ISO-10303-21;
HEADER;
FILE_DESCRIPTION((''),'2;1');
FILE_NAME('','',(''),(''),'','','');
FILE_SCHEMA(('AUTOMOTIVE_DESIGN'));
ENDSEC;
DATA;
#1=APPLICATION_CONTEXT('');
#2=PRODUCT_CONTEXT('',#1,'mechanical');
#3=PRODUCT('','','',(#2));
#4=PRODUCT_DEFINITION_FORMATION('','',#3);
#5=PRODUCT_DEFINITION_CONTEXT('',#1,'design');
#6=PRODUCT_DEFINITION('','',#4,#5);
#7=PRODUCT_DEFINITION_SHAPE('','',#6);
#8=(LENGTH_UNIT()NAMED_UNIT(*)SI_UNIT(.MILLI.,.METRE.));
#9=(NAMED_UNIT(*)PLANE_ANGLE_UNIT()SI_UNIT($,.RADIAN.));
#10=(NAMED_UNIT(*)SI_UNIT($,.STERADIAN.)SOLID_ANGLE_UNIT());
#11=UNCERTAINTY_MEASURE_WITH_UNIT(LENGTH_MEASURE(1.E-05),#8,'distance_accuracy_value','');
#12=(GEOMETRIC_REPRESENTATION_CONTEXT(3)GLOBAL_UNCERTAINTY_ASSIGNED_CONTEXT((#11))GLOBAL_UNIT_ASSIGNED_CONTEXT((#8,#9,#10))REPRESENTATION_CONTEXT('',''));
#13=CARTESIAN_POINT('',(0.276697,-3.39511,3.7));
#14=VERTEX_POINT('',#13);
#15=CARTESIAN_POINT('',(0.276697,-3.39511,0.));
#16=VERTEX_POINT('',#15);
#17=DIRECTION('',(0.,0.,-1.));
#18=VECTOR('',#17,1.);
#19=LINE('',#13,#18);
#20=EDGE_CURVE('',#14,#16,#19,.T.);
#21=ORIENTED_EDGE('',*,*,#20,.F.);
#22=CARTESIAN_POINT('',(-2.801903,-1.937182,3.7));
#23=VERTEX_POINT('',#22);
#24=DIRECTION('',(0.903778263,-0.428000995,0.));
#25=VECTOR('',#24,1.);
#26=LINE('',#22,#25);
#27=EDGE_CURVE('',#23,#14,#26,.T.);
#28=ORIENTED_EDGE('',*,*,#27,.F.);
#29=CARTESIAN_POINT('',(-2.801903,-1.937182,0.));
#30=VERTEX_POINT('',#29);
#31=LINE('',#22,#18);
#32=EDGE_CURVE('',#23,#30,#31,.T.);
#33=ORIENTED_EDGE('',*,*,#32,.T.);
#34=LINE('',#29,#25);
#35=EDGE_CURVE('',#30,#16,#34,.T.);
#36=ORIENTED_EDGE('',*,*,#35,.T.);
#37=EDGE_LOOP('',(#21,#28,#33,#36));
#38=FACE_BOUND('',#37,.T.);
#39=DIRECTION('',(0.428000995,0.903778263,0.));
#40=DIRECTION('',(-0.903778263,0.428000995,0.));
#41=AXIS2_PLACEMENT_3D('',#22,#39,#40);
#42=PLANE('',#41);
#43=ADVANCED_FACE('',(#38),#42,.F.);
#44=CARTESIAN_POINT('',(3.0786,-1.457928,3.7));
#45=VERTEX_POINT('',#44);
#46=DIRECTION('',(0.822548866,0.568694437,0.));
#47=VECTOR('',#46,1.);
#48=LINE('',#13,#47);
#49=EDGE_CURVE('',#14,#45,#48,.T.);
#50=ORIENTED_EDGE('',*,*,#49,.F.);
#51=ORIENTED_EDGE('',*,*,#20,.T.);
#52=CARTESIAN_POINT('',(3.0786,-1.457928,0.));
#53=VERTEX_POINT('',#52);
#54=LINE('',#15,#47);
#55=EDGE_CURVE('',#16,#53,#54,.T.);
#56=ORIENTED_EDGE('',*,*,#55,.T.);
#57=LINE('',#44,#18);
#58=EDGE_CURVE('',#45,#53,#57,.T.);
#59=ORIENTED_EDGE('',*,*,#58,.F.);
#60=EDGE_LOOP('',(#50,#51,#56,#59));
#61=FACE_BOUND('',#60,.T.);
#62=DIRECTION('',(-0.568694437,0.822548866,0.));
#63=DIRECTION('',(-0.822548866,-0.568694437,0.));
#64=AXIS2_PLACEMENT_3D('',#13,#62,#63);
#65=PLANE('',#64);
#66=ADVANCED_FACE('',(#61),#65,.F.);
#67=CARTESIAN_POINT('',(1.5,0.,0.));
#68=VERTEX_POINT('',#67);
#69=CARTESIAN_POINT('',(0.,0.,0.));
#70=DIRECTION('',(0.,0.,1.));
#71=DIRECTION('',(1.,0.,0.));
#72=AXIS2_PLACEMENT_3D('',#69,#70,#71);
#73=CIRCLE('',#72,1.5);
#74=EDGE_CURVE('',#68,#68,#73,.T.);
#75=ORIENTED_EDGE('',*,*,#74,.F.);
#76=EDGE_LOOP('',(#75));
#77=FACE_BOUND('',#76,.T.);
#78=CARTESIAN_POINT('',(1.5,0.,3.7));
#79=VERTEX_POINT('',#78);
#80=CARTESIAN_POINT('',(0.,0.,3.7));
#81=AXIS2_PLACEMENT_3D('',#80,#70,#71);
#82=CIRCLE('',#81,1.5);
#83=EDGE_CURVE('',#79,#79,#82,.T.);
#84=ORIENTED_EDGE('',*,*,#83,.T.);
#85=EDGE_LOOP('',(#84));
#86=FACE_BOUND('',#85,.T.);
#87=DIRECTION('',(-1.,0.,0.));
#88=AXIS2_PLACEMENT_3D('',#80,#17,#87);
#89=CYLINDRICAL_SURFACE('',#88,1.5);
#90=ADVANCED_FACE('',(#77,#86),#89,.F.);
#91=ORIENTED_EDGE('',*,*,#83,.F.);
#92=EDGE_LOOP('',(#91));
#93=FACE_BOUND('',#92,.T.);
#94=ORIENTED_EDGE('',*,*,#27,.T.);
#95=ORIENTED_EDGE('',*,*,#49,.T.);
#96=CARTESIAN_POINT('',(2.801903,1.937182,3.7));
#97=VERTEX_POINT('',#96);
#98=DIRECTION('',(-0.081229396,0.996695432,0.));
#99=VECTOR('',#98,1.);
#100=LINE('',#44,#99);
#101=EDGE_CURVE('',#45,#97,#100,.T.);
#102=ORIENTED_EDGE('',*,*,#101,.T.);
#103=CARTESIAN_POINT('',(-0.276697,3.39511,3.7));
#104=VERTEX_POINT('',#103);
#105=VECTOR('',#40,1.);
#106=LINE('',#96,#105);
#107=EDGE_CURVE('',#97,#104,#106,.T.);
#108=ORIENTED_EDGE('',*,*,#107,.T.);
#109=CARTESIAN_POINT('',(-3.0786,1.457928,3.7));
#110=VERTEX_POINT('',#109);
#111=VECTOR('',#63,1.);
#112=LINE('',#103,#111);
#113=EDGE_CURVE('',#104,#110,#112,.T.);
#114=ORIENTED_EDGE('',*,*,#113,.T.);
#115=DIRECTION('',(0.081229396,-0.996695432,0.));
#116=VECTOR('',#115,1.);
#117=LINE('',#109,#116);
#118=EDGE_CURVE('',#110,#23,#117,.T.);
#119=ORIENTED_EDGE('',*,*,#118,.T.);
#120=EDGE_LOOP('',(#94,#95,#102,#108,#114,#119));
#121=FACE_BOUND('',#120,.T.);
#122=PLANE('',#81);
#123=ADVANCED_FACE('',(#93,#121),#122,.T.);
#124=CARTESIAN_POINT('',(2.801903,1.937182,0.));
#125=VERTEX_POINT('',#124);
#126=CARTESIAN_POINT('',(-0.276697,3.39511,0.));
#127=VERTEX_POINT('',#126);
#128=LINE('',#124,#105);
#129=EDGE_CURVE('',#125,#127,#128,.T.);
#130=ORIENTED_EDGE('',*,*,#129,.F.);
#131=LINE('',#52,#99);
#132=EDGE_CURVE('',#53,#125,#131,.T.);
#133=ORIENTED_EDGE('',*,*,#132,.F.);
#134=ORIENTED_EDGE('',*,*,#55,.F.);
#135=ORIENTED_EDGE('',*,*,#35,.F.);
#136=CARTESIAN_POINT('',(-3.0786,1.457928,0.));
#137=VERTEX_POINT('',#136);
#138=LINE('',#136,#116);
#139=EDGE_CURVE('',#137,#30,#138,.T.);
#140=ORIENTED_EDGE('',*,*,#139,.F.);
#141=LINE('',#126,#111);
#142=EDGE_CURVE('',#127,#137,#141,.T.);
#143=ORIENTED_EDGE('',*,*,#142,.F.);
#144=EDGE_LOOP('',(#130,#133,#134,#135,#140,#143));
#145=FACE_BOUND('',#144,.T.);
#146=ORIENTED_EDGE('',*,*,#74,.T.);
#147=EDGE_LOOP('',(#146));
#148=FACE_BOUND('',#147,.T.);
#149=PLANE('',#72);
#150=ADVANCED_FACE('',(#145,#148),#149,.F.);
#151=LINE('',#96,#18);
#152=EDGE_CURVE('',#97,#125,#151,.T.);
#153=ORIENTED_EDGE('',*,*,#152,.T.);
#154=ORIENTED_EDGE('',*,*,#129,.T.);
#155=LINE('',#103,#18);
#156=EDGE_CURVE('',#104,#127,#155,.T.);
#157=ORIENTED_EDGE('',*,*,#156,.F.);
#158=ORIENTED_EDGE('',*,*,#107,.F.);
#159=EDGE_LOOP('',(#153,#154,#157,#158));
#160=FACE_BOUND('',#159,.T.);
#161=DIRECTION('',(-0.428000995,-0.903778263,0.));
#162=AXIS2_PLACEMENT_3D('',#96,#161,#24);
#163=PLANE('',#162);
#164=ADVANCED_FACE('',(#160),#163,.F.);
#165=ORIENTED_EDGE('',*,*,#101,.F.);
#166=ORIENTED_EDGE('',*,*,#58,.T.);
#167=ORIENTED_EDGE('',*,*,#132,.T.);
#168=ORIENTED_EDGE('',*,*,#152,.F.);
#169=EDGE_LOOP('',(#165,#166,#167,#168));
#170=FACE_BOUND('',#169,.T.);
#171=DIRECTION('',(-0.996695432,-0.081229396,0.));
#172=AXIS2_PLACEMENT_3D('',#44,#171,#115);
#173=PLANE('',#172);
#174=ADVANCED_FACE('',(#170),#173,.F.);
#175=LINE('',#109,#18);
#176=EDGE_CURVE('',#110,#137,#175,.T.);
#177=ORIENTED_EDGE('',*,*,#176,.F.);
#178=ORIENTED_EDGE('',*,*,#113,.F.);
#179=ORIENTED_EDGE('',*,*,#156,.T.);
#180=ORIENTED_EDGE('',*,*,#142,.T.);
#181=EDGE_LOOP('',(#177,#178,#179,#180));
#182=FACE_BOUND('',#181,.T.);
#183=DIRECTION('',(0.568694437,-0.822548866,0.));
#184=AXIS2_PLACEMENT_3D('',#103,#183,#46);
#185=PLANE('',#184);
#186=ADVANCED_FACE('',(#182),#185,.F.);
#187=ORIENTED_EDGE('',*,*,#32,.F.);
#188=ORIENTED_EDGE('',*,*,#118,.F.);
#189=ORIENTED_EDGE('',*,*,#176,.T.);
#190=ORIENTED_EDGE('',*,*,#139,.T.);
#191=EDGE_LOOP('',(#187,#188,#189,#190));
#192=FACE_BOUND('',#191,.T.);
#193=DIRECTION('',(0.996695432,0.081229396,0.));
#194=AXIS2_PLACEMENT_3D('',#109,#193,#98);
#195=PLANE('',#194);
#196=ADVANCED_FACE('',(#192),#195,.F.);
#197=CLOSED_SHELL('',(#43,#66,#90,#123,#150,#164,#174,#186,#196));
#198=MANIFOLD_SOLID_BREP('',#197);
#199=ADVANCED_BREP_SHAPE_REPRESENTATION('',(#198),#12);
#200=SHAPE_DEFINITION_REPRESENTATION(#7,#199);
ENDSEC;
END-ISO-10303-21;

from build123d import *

# Parameters (mm, degrees)
ESQUISSE1_R        = 1.5
BOSS_EXTRU_1_DEPTH = 3.7


with BuildPart() as part:
    # Esquisse1 → Boss.-Extru.1 (new body)
    with BuildSketch(Plane.XY):
        Polygon((-0.276697102, 3.39511002), (-3.078600077, 1.45792829), (-2.801902975, -1.937181729), (0.276697102, -3.39511002), (3.078600077, -1.45792829), (2.801902975, 1.937181729), align=None)
        Circle(ESQUISSE1_R, mode=Mode.SUBTRACT)
    extrude(amount=BOSS_EXTRU_1_DEPTH)


solid = part.part
